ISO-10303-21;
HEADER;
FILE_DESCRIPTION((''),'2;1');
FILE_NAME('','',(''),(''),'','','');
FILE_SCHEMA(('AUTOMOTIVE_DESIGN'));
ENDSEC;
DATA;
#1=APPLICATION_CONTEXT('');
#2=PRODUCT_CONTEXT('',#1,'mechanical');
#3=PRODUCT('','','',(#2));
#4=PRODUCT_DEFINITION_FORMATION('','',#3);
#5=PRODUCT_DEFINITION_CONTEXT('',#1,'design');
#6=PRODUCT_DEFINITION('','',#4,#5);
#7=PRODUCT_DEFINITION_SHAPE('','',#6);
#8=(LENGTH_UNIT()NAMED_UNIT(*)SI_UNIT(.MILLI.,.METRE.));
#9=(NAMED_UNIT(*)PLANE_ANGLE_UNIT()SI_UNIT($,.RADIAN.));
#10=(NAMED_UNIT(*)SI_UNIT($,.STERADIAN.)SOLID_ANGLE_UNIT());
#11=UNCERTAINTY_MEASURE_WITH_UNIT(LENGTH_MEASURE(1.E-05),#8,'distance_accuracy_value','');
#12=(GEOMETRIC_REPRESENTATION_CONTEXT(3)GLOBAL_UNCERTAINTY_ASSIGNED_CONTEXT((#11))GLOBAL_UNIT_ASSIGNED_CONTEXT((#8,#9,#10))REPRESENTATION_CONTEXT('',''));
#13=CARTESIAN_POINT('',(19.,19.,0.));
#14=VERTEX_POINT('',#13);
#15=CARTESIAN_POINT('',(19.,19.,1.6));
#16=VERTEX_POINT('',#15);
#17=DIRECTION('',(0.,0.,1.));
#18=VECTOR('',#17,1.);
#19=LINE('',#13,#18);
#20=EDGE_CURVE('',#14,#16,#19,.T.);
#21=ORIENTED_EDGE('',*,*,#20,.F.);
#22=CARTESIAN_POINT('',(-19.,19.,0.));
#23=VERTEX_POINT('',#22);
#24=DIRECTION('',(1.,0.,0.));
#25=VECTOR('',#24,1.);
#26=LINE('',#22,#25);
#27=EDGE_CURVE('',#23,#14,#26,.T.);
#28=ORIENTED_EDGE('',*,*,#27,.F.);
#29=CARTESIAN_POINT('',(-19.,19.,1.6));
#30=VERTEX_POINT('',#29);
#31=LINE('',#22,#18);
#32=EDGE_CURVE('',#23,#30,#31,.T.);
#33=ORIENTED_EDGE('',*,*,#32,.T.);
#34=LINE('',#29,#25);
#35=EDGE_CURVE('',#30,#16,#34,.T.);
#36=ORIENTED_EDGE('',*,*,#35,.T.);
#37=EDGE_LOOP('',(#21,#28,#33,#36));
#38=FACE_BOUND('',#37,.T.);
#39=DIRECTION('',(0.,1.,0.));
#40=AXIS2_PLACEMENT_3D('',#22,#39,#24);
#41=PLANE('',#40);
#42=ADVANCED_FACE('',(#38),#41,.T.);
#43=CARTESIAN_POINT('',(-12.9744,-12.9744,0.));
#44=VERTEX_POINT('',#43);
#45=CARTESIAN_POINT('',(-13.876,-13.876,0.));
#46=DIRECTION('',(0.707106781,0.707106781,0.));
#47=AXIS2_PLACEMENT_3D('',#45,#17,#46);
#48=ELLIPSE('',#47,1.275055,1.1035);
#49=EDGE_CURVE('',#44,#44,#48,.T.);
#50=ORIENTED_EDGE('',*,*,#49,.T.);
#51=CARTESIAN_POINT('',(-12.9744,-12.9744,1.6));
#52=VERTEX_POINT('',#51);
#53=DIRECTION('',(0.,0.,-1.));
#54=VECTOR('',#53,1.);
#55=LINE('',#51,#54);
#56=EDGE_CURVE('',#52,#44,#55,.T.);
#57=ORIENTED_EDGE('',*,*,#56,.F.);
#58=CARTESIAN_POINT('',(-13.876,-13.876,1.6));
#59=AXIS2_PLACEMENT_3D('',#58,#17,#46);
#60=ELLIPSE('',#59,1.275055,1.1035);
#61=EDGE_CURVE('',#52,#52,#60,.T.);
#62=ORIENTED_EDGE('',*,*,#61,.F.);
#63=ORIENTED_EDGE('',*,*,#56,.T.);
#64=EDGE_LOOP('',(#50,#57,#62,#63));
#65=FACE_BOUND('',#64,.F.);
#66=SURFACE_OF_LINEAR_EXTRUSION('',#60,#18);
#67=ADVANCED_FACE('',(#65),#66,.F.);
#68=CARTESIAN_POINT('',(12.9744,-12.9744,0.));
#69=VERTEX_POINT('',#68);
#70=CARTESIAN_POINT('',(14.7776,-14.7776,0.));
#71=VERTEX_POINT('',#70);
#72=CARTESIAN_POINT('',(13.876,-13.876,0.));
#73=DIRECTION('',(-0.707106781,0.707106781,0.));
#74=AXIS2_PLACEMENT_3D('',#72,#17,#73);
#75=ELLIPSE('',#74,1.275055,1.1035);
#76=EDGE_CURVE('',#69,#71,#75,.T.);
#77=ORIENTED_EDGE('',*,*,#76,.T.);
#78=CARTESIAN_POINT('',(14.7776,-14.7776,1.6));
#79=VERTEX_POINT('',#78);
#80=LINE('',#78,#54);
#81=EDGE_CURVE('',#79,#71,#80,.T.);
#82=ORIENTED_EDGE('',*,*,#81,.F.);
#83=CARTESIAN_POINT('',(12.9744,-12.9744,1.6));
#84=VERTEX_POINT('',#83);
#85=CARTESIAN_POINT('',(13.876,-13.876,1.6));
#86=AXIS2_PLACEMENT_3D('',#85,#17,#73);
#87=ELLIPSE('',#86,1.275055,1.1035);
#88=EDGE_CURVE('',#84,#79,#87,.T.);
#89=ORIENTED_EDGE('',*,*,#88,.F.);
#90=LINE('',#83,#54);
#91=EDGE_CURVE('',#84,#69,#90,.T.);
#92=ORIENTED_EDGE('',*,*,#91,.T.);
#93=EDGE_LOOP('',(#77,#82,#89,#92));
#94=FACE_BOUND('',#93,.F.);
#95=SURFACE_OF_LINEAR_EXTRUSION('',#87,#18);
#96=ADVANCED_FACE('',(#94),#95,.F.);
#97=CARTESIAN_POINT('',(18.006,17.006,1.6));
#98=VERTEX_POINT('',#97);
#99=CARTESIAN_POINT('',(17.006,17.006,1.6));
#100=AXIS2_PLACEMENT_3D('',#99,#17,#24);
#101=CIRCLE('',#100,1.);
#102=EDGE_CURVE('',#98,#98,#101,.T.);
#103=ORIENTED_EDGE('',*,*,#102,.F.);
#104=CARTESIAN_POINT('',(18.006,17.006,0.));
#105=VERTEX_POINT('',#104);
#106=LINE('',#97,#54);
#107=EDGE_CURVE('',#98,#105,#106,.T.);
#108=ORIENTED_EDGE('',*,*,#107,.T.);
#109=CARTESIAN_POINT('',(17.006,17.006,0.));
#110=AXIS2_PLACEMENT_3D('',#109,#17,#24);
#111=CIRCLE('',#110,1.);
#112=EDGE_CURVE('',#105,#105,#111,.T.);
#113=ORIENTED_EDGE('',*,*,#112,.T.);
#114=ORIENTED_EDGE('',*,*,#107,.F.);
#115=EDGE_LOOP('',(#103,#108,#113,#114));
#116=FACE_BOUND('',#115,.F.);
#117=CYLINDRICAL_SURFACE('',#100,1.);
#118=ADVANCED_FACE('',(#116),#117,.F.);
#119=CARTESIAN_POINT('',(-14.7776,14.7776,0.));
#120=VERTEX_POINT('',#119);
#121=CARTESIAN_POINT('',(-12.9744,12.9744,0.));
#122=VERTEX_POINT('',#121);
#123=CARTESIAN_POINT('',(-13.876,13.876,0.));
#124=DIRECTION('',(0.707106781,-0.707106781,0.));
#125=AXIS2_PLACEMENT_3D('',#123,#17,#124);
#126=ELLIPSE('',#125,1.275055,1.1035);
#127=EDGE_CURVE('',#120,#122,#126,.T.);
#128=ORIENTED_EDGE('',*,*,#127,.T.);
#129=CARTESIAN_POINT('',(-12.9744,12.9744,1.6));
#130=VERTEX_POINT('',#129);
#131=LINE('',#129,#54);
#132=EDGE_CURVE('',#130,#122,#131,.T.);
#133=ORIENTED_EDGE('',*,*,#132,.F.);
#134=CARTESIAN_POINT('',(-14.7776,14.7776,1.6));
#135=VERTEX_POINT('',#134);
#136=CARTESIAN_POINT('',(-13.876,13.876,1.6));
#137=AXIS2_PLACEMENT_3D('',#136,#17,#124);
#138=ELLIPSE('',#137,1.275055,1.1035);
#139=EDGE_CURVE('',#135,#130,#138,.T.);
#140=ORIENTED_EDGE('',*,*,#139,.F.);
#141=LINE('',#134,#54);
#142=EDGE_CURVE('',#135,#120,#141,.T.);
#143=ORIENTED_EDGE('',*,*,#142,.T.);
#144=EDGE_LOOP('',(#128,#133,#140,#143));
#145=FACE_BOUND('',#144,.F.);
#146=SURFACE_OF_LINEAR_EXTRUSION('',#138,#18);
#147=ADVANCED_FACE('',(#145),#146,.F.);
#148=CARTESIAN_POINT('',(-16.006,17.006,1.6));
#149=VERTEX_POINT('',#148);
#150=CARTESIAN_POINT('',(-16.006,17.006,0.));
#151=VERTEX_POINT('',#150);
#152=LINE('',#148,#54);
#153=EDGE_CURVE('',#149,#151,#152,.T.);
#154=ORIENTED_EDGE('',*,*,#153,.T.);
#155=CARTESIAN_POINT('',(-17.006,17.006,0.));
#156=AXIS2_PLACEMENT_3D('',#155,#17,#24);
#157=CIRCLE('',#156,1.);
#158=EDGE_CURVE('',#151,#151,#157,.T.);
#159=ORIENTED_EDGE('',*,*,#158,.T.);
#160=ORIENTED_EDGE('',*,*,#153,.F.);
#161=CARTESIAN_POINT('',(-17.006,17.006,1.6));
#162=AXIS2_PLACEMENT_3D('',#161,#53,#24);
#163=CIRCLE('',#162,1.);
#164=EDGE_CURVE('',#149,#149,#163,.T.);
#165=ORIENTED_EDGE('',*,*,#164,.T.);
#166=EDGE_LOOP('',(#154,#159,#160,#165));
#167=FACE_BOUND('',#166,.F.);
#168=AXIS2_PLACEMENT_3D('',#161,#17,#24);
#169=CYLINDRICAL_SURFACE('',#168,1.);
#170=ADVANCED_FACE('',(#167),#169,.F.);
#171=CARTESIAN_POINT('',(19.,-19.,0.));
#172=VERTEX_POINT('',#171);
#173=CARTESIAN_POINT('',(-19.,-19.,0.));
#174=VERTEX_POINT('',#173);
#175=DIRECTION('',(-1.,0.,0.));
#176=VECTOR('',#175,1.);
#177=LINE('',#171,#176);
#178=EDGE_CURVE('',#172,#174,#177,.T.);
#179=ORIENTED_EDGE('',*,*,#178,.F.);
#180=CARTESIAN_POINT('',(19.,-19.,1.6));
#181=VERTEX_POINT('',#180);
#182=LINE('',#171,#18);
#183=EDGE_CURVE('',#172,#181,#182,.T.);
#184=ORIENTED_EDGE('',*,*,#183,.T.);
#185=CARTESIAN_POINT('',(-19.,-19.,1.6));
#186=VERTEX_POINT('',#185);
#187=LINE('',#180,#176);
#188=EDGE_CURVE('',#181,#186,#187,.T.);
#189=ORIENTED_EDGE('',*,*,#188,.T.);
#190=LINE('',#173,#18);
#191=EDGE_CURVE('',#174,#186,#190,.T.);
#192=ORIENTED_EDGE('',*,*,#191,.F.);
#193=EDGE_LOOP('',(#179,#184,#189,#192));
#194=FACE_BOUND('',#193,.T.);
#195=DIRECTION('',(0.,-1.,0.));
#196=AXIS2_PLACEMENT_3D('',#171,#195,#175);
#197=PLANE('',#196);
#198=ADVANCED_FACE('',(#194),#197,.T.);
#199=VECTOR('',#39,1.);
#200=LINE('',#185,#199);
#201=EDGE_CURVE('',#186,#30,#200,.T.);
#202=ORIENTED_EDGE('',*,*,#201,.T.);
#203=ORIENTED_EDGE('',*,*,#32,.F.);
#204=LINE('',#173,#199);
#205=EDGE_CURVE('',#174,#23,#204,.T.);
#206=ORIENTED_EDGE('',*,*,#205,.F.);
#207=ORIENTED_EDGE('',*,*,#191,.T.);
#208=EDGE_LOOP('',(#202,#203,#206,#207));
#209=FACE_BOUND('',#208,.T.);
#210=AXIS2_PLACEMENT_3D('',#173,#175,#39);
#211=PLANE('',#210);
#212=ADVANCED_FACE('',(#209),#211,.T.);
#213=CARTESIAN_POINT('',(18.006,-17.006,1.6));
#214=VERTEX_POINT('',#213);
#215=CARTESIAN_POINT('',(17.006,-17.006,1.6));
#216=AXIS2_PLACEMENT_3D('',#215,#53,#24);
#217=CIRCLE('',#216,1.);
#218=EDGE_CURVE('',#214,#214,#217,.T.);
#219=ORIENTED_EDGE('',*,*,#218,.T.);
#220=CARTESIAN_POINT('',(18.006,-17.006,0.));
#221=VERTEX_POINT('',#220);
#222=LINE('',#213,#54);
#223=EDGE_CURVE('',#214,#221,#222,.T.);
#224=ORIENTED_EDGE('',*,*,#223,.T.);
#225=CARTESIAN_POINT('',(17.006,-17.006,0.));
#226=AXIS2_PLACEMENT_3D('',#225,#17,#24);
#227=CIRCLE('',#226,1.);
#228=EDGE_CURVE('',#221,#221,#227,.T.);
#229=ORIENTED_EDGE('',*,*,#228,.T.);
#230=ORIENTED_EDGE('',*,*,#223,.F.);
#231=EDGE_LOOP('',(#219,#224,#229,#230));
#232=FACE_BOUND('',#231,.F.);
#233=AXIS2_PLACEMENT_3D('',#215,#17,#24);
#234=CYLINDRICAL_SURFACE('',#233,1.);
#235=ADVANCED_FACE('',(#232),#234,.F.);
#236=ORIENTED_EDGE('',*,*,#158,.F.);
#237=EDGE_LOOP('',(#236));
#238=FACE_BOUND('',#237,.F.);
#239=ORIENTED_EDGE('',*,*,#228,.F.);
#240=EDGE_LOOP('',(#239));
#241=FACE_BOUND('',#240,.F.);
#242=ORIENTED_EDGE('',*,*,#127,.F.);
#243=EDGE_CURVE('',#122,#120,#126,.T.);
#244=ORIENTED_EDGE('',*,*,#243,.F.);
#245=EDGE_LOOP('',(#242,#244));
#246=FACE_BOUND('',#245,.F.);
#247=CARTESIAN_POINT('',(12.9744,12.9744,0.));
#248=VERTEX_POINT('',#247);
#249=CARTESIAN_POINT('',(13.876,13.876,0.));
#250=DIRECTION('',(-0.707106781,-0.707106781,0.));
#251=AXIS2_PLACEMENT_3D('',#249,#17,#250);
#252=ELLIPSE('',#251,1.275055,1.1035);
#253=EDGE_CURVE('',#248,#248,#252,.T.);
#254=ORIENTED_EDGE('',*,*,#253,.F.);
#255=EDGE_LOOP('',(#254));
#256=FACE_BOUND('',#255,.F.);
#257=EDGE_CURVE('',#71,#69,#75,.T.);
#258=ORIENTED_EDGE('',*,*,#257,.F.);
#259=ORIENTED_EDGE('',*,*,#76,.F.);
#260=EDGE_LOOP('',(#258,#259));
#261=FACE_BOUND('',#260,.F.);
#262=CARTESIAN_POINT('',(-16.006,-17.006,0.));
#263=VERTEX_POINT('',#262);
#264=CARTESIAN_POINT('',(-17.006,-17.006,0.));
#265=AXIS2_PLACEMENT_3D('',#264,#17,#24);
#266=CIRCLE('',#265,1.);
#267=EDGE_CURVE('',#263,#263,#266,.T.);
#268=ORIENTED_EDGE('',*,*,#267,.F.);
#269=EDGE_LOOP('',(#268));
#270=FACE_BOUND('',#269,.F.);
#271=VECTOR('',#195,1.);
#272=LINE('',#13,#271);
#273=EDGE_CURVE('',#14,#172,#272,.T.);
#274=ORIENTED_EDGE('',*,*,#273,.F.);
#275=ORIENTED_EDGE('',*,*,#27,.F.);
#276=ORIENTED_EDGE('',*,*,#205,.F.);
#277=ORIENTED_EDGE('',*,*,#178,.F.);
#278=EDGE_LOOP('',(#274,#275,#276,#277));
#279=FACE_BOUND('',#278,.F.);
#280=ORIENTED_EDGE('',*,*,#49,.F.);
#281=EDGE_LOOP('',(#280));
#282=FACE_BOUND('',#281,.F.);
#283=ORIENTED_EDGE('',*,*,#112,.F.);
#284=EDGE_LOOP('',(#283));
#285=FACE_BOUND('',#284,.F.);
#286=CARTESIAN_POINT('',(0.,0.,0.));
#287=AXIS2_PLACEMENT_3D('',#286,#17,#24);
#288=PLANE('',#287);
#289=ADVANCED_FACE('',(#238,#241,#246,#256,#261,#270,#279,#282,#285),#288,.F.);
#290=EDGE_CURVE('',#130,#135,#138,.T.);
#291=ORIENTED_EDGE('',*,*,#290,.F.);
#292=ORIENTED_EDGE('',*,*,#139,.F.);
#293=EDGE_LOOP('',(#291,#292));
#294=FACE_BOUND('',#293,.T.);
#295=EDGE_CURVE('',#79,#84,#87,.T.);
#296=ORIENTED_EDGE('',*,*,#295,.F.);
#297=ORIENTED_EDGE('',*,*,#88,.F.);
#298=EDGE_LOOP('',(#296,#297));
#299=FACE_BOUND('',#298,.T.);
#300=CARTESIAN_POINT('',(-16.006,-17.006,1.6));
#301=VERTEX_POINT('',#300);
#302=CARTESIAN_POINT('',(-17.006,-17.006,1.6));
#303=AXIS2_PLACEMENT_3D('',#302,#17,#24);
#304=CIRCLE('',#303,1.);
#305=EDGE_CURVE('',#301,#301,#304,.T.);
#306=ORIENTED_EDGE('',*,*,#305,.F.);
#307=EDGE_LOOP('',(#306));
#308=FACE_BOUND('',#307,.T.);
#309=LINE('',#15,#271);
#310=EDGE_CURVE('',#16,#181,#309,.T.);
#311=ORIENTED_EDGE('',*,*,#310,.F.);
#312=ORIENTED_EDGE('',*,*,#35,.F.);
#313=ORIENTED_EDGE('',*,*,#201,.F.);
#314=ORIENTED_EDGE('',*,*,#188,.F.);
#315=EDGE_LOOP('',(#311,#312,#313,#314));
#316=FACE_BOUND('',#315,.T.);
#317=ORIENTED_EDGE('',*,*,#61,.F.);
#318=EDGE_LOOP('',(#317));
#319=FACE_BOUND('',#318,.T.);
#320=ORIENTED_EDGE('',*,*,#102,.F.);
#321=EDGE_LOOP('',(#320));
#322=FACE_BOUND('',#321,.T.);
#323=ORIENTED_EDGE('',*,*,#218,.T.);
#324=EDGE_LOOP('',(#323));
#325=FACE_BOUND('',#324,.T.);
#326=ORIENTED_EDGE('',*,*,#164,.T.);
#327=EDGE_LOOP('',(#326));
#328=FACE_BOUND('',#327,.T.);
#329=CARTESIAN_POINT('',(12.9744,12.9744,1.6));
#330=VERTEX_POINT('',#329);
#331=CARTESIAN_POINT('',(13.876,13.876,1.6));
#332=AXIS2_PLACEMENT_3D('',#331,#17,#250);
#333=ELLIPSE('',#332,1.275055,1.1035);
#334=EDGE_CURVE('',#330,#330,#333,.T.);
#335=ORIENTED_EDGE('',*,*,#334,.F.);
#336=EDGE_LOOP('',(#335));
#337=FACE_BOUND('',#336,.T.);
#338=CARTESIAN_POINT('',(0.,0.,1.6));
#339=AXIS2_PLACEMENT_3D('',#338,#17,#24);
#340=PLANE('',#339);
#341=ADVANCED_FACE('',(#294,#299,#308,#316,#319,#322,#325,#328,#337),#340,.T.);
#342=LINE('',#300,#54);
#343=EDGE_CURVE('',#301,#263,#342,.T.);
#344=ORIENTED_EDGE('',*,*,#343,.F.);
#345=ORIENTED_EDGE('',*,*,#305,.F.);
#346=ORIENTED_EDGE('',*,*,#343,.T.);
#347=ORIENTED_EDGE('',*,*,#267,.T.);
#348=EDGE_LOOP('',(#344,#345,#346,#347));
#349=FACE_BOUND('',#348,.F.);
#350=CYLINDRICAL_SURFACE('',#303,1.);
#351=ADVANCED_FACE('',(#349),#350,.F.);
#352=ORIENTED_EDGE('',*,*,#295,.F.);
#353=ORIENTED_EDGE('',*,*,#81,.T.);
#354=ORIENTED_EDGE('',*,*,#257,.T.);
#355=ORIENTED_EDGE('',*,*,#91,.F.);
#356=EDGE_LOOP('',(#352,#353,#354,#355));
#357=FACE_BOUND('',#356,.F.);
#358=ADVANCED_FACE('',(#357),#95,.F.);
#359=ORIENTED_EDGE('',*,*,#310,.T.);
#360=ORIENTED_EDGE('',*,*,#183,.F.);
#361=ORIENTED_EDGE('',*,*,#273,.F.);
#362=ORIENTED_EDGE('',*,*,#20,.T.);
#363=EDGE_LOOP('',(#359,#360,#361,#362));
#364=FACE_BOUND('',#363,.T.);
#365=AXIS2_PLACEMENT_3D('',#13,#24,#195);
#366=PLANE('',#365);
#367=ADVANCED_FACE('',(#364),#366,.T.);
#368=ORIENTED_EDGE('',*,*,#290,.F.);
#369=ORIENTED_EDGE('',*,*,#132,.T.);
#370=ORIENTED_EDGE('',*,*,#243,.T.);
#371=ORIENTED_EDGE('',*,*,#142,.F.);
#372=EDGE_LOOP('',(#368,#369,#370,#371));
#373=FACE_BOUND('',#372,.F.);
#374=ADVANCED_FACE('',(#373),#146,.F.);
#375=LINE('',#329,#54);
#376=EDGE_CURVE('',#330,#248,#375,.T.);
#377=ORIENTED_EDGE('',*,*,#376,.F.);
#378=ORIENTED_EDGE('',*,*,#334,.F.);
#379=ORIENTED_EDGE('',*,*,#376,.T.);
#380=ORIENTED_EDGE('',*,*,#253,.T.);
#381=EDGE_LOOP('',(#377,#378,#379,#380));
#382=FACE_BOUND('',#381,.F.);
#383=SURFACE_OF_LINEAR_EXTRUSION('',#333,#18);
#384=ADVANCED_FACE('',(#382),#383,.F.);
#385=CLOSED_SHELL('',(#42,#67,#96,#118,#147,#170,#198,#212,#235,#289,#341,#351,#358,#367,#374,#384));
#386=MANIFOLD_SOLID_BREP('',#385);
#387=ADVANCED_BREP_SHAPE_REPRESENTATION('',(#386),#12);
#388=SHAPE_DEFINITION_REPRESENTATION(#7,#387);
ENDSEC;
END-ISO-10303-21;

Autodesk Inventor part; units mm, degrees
ref_plane "YZ Plane" through (0, 0, 0) normal (1, 0, 0) x (0, 1, 0)
ref_plane "XZ Plane" through (0, 0, 0) normal (0, 1, 0) x (-1, 0, 0)
ref_plane "XY Plane" through (0, 0, 0) normal (0, 0, 1) x (1, 0, 0)
sketch "Sketch1" plane through (0, 0, 0) normal (0, 0, 1) x (1, 0, 0)
  line L0 (-19, 19) -> (19, 19)
  line L1 (19, 19) -> (19, -19)
  line L2 (19, -19) -> (-19, -19)
  line L3 (-19, -19) -> (-19, 19)
  point P0 (0, 0)
  point P1 (0, 19)
  point P2 (-19, 0)
  dimension "d0" = 38
  dimension "d1" = 38
extrude "Extrusion1" add sketch "Sketch1" along normal blind 1.6
sketch "Sketch2" plane through (0, 0, 1.6) normal (0, 0, 1) x (1, 0, 0)
  circle A0 centre (-17.006, 17.006) radius 1
  line L0 (19, 19) -> (-19, 19) projected
  line L1 (-19, 19) -> (-19, -19) projected
  line L2 (19, -19) -> (19, 19) projected
  line L3 (-19, -19) -> (19, -19) projected
  ellipse E0 centre (-13.876, 13.876) end of major axis (-12.9744, 12.9744) minor radius 1.1035
  line L4 (-19, 19) -> (19, -19)
  line L5 (0, 19) -> (0, -19)
  ellipse E1 centre (13.876, 13.876) end of major axis (12.9744, 12.9744) minor radius 1.1035
  line L6 (-19, 0) -> (19, 0)
  ellipse E2 centre (-13.876, -13.876) end of major axis (-12.9744, -12.9744) minor radius 1.1035
  ellipse E3 centre (13.876, -13.876) end of major axis (12.9744, -12.9744) minor radius 1.1035
  circle A1 centre (17.006, 17.006) radius 1
  circle A2 centre (-17.006, -17.006) radius 1
  circle A3 centre (17.006, -17.006) radius 1
  point P0 (0, 0)
  dimension "d52" = 1.1035
  dimension "d53" = 1.275
  dimension "d4" = 2
  dimension "d54" = 13.876
  dimension "d60" = 13.876
  dimension "d61" = 17.006
  dimension "d62" = 17.006
extrude "Extrusion3" cut sketch "Sketch2" against normal blind 1.6 contours A0 L4 | L4 A0 | L4 E0 | E0 L4 | E3 L4 | L4 E3 | A3 L4 | L4 A3 | E1 | E2 | A1 | A2
properties part number "PCB_Camera"
